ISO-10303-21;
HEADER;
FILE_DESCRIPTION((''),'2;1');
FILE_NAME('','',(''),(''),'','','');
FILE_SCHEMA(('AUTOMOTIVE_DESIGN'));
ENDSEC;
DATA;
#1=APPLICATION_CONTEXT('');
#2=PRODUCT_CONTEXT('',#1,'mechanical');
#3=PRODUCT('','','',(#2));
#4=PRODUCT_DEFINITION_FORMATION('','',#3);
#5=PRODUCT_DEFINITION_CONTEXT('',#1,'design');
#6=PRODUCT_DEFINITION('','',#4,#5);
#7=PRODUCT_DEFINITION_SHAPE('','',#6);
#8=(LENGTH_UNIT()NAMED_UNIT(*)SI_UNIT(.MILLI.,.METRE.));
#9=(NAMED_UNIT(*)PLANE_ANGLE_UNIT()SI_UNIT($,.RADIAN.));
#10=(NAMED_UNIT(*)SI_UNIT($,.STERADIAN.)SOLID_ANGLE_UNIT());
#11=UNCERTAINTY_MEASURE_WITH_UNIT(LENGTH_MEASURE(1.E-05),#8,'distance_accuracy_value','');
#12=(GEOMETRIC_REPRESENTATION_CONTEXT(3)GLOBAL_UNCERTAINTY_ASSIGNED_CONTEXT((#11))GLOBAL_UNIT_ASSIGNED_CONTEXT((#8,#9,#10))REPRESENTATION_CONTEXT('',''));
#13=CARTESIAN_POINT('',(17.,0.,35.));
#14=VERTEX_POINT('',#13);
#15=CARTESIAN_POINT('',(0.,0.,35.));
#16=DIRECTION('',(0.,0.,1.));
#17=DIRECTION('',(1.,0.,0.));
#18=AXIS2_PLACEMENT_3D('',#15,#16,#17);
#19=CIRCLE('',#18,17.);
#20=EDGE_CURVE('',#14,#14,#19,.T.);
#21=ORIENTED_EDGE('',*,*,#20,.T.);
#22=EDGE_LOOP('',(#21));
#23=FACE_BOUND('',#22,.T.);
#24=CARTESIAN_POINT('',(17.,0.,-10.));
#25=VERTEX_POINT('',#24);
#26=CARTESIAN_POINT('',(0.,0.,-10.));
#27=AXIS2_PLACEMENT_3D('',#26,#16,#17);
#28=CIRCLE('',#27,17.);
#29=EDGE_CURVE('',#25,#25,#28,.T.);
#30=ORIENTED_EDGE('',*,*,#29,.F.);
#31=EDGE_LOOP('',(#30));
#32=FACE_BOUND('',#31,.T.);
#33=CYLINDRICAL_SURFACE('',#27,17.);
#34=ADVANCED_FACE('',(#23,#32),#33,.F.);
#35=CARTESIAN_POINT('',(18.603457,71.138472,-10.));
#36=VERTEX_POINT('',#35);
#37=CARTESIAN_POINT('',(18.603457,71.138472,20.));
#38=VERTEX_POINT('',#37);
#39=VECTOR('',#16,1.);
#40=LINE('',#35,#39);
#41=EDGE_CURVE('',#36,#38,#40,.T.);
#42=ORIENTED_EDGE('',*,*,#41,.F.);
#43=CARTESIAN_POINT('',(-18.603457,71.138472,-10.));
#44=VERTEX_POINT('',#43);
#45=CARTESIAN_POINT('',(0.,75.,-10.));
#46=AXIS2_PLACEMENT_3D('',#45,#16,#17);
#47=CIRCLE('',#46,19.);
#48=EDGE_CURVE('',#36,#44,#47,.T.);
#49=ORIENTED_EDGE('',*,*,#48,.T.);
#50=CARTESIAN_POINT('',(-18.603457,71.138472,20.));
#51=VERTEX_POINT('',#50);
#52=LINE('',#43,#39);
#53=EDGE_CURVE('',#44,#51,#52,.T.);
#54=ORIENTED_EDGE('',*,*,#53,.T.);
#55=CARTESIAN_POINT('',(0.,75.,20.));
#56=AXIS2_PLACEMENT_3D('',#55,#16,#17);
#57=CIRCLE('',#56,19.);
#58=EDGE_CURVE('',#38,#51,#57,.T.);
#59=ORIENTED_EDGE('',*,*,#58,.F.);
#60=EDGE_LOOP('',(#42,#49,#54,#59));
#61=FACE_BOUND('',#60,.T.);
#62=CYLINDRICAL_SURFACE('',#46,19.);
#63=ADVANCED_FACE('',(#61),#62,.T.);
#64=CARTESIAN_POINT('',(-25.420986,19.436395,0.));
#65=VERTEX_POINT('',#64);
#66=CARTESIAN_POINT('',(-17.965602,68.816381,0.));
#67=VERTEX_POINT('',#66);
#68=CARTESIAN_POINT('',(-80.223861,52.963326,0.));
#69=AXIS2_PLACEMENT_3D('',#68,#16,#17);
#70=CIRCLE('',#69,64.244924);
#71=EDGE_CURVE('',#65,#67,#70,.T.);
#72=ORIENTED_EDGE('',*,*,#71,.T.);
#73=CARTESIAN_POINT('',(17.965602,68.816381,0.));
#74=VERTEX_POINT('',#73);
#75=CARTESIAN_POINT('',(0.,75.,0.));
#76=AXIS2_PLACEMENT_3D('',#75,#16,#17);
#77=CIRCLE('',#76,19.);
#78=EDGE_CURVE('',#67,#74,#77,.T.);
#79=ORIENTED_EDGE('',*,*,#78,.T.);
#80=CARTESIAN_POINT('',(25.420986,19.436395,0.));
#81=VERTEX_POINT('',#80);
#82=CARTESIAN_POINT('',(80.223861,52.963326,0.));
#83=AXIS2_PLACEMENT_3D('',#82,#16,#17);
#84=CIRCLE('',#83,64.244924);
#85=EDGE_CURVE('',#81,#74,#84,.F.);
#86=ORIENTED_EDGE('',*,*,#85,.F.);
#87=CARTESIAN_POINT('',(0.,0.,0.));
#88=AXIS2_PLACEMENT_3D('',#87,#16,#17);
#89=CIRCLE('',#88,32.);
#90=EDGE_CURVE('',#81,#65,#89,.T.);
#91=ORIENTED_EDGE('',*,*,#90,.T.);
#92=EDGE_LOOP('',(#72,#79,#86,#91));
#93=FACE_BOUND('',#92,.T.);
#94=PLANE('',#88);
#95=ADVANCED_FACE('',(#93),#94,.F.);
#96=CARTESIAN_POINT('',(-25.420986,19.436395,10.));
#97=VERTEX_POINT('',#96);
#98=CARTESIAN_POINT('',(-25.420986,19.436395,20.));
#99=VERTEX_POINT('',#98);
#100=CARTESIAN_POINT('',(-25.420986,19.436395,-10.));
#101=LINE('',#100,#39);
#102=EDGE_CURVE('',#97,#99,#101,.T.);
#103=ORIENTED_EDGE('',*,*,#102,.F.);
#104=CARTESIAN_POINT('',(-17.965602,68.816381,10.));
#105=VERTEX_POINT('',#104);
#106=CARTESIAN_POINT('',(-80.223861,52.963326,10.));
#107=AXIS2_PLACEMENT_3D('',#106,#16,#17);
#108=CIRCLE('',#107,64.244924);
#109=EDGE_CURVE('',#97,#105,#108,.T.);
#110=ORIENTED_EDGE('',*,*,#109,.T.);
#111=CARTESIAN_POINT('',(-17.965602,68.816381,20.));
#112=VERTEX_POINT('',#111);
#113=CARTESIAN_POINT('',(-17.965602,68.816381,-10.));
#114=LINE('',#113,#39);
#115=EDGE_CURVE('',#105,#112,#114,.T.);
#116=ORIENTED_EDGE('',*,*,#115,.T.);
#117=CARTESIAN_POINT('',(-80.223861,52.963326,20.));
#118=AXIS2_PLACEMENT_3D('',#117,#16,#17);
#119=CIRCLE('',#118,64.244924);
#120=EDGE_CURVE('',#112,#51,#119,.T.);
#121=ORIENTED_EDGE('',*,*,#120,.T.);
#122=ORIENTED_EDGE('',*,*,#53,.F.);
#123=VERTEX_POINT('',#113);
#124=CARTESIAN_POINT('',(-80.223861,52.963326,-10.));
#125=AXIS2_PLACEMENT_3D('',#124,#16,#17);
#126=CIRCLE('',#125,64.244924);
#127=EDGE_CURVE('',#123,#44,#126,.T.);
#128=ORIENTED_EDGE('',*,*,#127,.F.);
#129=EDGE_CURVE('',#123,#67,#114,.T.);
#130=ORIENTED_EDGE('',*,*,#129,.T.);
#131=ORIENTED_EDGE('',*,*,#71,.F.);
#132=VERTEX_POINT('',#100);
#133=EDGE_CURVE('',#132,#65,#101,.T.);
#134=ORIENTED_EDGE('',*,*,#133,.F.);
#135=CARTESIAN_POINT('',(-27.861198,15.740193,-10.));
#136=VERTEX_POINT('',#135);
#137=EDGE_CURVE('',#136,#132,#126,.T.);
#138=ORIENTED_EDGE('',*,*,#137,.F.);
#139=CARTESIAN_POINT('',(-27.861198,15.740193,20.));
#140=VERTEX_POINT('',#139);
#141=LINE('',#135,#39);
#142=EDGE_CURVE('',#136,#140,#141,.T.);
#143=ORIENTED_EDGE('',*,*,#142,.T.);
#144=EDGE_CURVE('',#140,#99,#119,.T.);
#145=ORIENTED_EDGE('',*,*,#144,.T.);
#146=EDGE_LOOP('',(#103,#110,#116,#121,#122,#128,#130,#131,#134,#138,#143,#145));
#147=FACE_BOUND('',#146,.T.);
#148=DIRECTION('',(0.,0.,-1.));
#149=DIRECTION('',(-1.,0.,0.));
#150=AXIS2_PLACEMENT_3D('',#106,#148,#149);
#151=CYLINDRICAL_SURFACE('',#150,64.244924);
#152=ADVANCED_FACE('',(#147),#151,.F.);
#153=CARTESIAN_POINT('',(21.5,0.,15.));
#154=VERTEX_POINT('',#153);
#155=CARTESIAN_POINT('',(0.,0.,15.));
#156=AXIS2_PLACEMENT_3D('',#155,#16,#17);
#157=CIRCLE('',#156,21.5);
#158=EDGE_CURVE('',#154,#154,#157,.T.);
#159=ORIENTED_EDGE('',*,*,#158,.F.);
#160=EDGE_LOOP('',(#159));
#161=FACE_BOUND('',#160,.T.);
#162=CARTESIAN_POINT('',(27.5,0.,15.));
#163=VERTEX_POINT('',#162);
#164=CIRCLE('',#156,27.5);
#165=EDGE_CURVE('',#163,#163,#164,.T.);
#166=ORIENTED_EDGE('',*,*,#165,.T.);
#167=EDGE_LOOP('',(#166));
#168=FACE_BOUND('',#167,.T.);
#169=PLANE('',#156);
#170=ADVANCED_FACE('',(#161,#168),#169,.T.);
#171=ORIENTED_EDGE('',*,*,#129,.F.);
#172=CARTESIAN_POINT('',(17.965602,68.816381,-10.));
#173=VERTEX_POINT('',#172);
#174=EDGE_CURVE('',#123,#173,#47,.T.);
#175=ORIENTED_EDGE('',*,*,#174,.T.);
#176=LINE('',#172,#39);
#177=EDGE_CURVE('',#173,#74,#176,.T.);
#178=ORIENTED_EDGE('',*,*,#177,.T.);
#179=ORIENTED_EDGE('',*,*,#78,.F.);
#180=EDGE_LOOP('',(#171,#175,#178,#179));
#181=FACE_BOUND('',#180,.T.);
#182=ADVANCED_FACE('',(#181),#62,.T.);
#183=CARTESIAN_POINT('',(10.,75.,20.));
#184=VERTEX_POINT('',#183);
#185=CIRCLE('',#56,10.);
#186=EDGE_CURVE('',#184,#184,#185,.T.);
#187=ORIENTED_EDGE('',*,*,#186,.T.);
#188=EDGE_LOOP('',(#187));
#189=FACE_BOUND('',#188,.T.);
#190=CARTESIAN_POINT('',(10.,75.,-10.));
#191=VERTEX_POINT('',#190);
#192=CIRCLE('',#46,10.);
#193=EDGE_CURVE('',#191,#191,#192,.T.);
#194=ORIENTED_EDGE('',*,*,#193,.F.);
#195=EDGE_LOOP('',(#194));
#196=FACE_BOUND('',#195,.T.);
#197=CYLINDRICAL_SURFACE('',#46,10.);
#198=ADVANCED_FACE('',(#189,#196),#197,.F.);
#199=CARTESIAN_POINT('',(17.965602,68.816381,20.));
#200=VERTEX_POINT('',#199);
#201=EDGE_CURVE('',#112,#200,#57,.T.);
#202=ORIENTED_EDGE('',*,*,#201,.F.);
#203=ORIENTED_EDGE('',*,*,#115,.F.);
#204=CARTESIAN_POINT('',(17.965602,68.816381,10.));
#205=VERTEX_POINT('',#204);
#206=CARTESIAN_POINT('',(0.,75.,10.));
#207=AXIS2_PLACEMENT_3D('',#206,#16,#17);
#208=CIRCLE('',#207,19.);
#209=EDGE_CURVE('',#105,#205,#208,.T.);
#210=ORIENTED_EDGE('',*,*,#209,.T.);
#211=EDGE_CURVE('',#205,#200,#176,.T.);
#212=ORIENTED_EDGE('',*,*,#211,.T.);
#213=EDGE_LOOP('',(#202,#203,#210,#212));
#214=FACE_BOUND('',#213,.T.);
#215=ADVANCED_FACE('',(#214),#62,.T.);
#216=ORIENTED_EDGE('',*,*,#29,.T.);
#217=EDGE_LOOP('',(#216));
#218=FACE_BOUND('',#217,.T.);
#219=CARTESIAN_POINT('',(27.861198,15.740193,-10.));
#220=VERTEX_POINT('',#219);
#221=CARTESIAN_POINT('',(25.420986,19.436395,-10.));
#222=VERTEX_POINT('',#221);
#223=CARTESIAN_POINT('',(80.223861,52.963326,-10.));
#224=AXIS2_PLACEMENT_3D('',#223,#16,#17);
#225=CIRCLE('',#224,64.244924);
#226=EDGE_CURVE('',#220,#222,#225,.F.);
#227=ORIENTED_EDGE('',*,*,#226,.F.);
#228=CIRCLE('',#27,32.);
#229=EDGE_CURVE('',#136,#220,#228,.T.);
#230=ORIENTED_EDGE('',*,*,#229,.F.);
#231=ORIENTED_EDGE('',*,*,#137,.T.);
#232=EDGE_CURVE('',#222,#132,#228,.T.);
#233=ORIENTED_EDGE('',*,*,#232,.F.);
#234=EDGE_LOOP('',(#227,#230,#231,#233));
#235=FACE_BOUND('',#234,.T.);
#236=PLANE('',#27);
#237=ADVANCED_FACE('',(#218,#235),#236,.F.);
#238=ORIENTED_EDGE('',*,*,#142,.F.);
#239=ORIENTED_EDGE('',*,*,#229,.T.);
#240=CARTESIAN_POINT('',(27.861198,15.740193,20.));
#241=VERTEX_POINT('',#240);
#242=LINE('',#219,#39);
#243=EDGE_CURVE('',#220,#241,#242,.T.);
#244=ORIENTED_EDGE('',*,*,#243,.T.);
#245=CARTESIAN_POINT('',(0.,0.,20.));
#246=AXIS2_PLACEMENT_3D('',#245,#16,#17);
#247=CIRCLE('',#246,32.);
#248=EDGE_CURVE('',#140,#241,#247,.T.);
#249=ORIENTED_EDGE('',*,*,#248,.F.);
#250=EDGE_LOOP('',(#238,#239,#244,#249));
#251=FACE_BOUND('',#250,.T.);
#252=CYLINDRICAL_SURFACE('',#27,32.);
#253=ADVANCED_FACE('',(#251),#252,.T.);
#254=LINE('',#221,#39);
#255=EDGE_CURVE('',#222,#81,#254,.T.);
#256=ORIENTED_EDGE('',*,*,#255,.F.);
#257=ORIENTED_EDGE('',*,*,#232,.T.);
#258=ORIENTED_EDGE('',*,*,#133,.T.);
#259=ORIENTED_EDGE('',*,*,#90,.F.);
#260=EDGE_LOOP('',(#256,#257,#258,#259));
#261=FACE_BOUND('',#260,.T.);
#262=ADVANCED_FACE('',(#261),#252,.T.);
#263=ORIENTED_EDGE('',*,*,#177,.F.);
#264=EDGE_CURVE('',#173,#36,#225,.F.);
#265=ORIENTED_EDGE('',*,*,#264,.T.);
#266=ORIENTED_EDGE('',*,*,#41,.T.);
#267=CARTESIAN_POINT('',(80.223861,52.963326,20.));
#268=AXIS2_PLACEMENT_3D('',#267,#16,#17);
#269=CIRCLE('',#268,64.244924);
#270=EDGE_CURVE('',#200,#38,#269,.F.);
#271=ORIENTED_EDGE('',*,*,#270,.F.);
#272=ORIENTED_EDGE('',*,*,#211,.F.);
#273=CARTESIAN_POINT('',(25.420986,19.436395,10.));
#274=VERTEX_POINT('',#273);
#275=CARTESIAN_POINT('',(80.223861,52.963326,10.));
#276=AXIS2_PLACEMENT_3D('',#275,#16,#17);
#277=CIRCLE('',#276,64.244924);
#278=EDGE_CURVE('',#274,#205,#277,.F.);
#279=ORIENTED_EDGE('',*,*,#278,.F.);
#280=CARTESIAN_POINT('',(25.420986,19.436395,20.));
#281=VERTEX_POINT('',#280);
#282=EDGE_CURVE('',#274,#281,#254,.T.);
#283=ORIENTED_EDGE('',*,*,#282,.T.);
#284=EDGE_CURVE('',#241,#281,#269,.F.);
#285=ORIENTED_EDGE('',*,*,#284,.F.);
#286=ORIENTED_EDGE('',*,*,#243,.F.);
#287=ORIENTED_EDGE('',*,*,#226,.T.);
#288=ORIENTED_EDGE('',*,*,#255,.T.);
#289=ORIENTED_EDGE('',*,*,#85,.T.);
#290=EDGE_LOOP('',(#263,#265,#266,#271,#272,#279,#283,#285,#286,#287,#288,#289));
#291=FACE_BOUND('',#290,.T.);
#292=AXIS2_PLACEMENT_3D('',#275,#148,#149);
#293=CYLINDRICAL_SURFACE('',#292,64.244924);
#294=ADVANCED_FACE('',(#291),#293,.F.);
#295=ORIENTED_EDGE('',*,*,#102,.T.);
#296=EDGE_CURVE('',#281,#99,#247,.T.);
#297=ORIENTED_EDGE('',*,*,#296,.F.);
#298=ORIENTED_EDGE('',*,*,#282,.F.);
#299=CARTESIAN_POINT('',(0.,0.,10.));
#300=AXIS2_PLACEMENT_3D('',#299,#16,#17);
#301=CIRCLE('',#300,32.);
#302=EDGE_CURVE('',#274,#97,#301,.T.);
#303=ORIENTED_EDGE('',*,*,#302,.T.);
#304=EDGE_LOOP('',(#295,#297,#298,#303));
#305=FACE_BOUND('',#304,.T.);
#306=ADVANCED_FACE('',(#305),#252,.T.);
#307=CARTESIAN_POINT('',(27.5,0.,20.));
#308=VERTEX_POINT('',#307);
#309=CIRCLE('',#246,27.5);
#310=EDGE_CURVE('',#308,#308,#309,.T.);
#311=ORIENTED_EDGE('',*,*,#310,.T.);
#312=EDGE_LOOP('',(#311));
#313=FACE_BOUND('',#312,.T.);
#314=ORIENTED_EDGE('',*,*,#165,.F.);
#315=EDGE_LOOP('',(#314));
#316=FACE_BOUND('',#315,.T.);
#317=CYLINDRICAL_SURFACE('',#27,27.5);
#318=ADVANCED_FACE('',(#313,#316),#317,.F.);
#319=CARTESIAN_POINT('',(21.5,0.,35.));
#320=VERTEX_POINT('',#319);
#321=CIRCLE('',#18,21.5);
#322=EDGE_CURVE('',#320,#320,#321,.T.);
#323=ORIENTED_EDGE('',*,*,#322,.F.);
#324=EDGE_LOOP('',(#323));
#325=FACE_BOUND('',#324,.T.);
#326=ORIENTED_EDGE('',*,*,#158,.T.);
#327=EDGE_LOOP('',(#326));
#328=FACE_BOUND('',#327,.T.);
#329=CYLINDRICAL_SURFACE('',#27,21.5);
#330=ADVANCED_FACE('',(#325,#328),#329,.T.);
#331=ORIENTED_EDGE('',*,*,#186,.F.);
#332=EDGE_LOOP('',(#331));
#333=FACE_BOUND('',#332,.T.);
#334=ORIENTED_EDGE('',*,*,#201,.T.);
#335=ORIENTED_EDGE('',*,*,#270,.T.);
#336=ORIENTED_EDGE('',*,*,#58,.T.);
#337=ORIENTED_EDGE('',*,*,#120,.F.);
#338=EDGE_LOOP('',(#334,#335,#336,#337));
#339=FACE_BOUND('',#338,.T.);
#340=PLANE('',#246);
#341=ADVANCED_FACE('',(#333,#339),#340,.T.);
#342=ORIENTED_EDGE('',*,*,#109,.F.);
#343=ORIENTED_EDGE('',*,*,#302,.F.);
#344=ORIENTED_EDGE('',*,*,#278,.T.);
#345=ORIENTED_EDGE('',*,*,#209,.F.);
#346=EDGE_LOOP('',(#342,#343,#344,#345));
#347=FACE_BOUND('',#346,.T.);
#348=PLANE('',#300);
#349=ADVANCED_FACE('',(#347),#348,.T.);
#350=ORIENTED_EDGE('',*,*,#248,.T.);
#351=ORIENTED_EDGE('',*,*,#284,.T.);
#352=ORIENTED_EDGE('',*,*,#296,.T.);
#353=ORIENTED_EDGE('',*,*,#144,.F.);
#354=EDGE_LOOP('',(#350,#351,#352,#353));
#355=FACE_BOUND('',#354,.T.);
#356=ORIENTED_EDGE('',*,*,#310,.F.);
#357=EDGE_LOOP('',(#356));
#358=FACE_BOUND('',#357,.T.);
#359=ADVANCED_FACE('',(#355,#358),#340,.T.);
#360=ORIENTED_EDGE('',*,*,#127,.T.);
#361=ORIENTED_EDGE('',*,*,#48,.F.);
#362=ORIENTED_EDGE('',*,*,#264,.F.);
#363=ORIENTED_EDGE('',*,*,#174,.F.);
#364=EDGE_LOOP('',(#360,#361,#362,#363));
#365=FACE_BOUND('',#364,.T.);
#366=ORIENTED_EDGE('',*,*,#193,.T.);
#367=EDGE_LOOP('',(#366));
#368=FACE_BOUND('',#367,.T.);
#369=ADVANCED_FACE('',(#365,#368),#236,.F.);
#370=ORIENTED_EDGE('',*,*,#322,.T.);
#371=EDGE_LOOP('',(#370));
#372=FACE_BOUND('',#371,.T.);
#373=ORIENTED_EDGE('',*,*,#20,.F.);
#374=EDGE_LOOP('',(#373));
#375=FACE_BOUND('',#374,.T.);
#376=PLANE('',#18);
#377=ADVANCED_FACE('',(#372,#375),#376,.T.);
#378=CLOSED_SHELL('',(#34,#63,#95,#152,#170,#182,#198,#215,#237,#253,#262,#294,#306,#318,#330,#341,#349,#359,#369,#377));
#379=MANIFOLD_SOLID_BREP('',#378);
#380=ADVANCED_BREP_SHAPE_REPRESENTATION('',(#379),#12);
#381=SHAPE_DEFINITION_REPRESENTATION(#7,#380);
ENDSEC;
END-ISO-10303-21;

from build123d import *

# Parameters (mm, degrees)
BOSS_EXTRUDE6_DEPTH       = 10
BOSS_EXTRUDE10_DEPTH      = 20
BOSS_EXTRUDE10_DEPTH_BACK = 10
SKETCH1_11_R              = 27.5
BOSS_EXTRUDE11_DEPTH      = 20
BOSS_EXTRUDE11_DEPTH_BACK = 10
SKETCH1_12_R              = 10
BOSS_EXTRUDE12_DEPTH      = 15
BOSS_EXTRUDE12_DEPTH_BACK = 10
SKETCH1_13_R              = 27.5
SKETCH1_13_R_2            = 21.5
BOSS_EXTRUDE13_DEPTH      = 35
BOSS_EXTRUDE13_DEPTH_BACK = 10
SKETCH1_14_R              = 21.5
SKETCH1_14_R_2            = 17


with BuildPart() as part:
    # Sketch1 → Boss-Extrude6 (new body)
    with BuildSketch(Plane.XY):
        with BuildLine():
            ThreePointArc((-25.420986444, 19.436394938), (0, 32), (25.420986444, 19.436394938))
            ThreePointArc((25.420986444, 19.436394938), (16.698881669, 43.372332346), (17.965602149, 68.816381365))
            ThreePointArc((17.965602149, 68.816381365), (0, 56), (-17.965602149, 68.816381365))
            ThreePointArc((-17.965602149, 68.816381365), (-16.698881669, 43.372332346), (-25.420986444, 19.436394938))
        make_face()
    extrude(amount=BOSS_EXTRUDE6_DEPTH)

    # Sketch1<11> → Boss-Extrude10 (add, two sides: drawn at the far end of the back side and taken through both)
    with BuildSketch(Plane.XY.offset(-BOSS_EXTRUDE10_DEPTH_BACK)):
        with BuildLine():
            ThreePointArc((-27.861197674, 15.740192635), (-8.137618645, -30.948007412), (32, 0))
            ThreePointArc((32, 0), (30.948007412, 8.137618645), (27.861197674, 15.740192635))
            ThreePointArc((27.861197674, 15.740192635), (26.609230485, 17.567258961), (25.420986444, 19.436394938))
            ThreePointArc((25.420986444, 19.436394938), (0, 32), (-25.420986444, 19.436394938))
            ThreePointArc((-25.420986444, 19.436394938), (-26.609230485, 17.567258961), (-27.861197674, 15.740192635))
        make_face()
        Circle(SKETCH1_11_R, mode=Mode.SUBTRACT)
    extrude(amount=BOSS_EXTRUDE10_DEPTH + BOSS_EXTRUDE10_DEPTH_BACK)

    # Sketch1<12> → Boss-Extrude11 (add, two sides: drawn at the far end of the back side and taken through both)
    with BuildSketch(Plane.XY.offset(-BOSS_EXTRUDE11_DEPTH_BACK)):
        with BuildLine():
            ThreePointArc((-17.965602149, 68.816381365), (0, 56), (17.965602149, 68.816381365))
            ThreePointArc((17.965602149, 68.816381365), (18.273648583, 69.980415685), (18.603456766, 71.138472275))
            ThreePointArc((18.603456766, 71.138472275), (18.900604204, 73.059082504), (19, 75))
            ThreePointArc((19, 75), (-1.940917496, 93.900604204), (-18.603456766, 71.138472275))
            ThreePointArc((-18.603456766, 71.138472275), (-18.273648583, 69.980415685), (-17.965602149, 68.816381365))
        make_face()
        with Locations((0, 75)):
            Circle(SKETCH1_12_R, mode=Mode.SUBTRACT)
    extrude(amount=BOSS_EXTRUDE11_DEPTH + BOSS_EXTRUDE11_DEPTH_BACK)

    # Sketch1<13> → Boss-Extrude12 (add, two sides: drawn at the far end of the back side and taken through both)
    with BuildSketch(Plane.XY.offset(-BOSS_EXTRUDE12_DEPTH_BACK)):
        Circle(SKETCH1_13_R)
        Circle(SKETCH1_13_R_2, mode=Mode.SUBTRACT)
    extrude(amount=BOSS_EXTRUDE12_DEPTH + BOSS_EXTRUDE12_DEPTH_BACK)

    # Sketch1<14> → Boss-Extrude13 (add, two sides: drawn at the far end of the back side and taken through both)
    with BuildSketch(Plane.XY.offset(-BOSS_EXTRUDE13_DEPTH_BACK)):
        Circle(SKETCH1_14_R)
        Circle(SKETCH1_14_R_2, mode=Mode.SUBTRACT)
    extrude(amount=BOSS_EXTRUDE13_DEPTH + BOSS_EXTRUDE13_DEPTH_BACK)


solid = part.part
